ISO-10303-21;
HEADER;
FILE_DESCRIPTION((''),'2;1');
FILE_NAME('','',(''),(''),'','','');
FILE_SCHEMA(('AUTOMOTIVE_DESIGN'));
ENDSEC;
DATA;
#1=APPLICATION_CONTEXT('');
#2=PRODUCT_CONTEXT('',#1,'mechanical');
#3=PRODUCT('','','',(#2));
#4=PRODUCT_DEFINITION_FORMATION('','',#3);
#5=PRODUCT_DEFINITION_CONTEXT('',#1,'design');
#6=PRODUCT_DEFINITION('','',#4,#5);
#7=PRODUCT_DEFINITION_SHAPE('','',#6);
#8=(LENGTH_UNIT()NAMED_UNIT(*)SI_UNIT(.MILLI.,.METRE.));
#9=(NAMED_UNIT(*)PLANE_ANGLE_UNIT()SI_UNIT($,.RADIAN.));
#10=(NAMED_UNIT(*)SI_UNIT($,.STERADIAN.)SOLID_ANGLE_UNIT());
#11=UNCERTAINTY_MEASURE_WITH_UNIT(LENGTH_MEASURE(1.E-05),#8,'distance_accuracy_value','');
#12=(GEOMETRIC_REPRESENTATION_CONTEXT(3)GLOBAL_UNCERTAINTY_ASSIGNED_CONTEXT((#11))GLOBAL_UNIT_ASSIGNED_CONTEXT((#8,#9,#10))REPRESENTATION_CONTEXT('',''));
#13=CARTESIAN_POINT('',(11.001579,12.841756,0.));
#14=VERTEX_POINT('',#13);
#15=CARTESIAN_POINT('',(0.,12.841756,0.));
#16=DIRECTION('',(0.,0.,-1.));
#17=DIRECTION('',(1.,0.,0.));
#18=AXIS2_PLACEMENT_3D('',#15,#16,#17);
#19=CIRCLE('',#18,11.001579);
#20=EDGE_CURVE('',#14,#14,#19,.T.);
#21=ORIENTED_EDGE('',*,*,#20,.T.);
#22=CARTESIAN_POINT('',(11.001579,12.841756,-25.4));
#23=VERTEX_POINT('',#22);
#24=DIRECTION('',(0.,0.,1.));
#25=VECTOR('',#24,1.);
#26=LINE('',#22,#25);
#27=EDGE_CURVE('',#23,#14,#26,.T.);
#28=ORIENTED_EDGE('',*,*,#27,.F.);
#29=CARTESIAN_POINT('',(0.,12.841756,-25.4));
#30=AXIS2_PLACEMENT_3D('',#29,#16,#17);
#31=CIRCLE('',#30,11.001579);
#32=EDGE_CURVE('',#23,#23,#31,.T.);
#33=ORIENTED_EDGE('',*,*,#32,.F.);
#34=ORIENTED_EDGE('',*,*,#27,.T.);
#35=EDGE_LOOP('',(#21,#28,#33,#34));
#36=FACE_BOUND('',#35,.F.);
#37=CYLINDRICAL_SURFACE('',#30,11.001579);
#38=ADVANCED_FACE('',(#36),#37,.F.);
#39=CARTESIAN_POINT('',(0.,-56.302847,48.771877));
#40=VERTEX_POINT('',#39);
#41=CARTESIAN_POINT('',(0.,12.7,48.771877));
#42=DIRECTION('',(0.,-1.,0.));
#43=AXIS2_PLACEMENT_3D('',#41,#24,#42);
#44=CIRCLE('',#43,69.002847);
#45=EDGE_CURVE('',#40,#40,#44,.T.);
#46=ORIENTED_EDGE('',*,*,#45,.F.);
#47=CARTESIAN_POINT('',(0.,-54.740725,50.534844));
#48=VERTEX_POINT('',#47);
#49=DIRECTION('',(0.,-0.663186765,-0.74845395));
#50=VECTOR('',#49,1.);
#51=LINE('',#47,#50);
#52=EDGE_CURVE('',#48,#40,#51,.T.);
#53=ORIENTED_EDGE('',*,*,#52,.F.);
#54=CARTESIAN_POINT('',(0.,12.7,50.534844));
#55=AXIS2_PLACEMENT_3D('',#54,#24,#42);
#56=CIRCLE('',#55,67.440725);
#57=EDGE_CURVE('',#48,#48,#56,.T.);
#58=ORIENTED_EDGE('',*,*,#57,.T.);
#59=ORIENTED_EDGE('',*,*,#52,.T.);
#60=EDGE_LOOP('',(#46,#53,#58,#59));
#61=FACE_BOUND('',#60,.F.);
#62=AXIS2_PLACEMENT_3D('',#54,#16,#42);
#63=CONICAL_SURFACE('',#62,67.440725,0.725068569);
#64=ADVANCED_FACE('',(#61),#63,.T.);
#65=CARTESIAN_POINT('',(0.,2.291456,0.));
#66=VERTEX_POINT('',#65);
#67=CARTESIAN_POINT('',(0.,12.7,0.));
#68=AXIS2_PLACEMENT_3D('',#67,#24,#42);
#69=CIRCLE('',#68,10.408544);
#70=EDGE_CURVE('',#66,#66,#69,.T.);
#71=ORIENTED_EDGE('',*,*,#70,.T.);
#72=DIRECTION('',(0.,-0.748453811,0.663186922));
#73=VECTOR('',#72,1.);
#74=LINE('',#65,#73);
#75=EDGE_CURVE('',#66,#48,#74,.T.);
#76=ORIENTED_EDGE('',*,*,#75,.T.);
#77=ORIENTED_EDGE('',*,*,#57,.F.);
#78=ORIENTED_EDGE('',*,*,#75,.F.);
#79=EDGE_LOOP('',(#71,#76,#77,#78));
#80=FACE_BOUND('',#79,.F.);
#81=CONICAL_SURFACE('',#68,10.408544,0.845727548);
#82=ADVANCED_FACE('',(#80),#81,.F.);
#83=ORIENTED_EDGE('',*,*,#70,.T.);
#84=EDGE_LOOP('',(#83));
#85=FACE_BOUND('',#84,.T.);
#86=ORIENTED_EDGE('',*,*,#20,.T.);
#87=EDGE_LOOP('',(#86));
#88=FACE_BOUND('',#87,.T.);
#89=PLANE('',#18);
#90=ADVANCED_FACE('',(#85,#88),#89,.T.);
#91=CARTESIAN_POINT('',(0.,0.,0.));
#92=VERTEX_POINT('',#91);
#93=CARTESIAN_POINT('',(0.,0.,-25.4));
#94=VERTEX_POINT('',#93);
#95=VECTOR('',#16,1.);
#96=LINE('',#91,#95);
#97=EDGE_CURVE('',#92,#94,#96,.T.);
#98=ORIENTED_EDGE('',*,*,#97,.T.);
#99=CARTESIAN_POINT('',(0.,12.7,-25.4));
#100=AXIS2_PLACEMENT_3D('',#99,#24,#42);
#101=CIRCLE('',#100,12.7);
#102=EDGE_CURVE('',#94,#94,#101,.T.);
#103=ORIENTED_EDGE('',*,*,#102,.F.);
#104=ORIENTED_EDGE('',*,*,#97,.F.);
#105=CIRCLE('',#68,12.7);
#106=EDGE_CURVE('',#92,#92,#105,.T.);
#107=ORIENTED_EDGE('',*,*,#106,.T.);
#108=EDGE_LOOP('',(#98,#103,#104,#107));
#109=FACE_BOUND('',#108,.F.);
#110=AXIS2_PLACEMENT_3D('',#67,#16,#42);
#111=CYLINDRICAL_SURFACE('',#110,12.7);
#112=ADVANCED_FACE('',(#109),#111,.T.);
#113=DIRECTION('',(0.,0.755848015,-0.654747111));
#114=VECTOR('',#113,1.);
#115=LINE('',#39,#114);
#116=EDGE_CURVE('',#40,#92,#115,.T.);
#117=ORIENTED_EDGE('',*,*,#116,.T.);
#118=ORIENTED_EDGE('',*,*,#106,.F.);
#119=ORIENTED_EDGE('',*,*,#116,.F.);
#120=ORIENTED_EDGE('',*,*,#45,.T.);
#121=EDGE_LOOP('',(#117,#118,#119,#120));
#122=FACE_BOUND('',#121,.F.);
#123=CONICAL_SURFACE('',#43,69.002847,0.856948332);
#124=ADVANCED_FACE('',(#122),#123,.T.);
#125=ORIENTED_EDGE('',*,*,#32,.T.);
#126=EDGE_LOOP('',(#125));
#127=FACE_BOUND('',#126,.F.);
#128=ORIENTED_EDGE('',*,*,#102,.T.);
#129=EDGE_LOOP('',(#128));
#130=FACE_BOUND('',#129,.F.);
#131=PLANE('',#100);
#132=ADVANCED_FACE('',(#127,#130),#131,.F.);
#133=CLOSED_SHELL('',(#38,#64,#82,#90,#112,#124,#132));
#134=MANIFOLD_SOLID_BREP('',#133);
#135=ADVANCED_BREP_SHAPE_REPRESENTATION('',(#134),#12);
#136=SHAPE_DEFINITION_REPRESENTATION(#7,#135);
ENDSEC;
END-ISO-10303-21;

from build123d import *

# Parameters (mm, degrees)
F3_R     = 11.001579
F4_DEPTH = 25.4


with BuildPart() as f1:
    # F0 (on Right) → F1 (revolve)
    with BuildSketch(Plane.YZ):
        Polygon((-56.302847, 48.771877), (0, 0), (0, -25.4), (12.7, -25.4), (12.7, 0), (2.291456, 0), (-54.740725, 50.534844), align=None)
    revolve(axis=Axis((0, 12.7, -12.7), (0, 0, 1)))

    # F3 (on face) → F4 (cut)
    with BuildSketch(Plane(origin=(0, 0, -25.4), x_dir=(1, 0, 0), z_dir=(0, 0, -1))):
        with Locations((0, -12.841756)):
            Circle(F3_R)
    extrude(amount=-F4_DEPTH, mode=Mode.SUBTRACT)


solid = f1.part
